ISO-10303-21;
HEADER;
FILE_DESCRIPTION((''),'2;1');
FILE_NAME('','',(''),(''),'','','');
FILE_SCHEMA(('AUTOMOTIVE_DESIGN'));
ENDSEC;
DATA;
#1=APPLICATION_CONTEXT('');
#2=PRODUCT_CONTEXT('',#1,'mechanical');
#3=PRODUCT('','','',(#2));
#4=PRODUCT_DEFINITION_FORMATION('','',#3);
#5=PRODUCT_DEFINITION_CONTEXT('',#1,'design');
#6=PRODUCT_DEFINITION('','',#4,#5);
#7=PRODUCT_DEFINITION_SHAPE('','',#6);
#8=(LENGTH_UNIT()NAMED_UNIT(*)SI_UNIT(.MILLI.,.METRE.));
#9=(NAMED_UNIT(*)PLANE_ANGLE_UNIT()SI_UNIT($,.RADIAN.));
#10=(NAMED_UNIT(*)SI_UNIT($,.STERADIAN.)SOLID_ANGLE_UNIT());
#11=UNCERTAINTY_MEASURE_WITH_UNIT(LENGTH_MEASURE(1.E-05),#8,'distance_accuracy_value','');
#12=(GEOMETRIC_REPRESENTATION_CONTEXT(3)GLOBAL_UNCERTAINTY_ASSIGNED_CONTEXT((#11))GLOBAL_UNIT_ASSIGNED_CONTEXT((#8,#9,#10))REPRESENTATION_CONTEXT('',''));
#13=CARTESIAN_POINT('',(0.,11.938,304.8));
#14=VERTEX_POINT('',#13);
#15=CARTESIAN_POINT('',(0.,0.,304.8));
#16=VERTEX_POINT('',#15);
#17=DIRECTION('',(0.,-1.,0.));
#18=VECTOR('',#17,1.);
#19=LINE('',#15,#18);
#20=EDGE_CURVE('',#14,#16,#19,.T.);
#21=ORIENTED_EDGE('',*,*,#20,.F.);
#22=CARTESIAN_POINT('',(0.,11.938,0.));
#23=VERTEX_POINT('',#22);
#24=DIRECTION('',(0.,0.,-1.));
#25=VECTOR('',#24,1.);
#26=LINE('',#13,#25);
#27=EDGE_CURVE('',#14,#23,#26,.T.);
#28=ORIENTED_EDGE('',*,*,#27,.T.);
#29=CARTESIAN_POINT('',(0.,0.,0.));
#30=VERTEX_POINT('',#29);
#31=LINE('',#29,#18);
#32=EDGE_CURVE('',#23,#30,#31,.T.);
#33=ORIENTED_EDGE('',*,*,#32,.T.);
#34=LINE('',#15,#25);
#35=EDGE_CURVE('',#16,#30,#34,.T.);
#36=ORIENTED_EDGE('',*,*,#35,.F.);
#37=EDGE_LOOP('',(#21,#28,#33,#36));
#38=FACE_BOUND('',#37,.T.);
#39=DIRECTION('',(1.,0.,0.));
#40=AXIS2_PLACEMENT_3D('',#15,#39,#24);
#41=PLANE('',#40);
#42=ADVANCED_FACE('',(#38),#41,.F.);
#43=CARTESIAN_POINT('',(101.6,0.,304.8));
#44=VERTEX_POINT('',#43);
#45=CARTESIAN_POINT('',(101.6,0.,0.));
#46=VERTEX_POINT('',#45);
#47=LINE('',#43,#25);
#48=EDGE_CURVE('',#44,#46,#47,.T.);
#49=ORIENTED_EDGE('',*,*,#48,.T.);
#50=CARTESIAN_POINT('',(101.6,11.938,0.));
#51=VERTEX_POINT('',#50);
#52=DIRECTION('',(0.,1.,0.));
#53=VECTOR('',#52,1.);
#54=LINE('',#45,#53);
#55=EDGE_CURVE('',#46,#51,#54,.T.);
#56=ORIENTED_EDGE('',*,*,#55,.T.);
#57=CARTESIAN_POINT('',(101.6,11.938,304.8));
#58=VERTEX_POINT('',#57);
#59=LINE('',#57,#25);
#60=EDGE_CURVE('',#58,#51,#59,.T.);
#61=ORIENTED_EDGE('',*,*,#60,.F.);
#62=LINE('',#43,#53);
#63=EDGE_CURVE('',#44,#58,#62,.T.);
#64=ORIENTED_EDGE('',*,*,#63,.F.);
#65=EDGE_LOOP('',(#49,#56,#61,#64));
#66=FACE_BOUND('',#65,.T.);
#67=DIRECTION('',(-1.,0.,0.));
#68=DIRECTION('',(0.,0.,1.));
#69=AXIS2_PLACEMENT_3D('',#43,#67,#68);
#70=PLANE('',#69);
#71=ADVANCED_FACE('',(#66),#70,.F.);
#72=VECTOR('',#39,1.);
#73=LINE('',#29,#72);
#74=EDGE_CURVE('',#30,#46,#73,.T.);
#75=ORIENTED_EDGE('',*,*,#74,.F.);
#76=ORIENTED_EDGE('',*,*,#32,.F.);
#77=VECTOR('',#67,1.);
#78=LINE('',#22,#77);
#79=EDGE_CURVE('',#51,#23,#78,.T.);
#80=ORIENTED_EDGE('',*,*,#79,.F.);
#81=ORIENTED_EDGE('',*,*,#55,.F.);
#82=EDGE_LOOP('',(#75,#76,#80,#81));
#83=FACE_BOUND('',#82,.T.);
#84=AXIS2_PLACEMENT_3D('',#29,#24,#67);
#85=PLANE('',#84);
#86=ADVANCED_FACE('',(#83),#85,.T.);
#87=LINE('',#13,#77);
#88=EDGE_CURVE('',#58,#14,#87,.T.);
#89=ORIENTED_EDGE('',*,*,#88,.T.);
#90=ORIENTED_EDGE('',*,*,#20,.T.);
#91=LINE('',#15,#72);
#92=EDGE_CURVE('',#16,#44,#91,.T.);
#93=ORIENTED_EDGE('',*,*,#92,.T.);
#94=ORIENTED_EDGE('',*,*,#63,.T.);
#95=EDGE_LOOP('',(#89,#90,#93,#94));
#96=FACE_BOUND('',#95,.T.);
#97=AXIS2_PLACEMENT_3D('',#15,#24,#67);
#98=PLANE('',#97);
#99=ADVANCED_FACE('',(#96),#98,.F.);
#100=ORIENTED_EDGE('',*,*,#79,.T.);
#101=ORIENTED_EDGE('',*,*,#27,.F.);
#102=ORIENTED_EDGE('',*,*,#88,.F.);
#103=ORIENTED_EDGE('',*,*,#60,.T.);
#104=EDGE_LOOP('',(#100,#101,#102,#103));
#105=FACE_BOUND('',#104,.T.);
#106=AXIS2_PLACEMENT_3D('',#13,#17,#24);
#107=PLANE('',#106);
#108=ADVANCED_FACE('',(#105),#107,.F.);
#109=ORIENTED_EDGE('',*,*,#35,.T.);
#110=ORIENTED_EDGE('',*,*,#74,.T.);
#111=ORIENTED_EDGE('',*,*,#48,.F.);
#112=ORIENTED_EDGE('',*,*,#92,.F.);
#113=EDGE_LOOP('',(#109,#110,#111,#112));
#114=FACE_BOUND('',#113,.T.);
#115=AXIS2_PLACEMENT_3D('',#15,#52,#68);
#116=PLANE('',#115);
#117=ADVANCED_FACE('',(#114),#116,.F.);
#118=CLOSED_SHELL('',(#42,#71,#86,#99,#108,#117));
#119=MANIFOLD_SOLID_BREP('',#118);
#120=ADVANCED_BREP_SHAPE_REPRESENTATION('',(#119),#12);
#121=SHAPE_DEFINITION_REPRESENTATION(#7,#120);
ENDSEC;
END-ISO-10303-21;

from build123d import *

# Parameters (mm, degrees)
SKETCH1_W  = 101.6
SKETCH1_H  = 11.938
BASE_DEPTH = 304.8


with BuildPart() as part:
    # Sketch1 → base (new body)
    with BuildSketch(Plane.XY):
        with Locations((50.8, 5.969)):
            Rectangle(SKETCH1_W, SKETCH1_H)
    extrude(amount=BASE_DEPTH)


solid = part.part
